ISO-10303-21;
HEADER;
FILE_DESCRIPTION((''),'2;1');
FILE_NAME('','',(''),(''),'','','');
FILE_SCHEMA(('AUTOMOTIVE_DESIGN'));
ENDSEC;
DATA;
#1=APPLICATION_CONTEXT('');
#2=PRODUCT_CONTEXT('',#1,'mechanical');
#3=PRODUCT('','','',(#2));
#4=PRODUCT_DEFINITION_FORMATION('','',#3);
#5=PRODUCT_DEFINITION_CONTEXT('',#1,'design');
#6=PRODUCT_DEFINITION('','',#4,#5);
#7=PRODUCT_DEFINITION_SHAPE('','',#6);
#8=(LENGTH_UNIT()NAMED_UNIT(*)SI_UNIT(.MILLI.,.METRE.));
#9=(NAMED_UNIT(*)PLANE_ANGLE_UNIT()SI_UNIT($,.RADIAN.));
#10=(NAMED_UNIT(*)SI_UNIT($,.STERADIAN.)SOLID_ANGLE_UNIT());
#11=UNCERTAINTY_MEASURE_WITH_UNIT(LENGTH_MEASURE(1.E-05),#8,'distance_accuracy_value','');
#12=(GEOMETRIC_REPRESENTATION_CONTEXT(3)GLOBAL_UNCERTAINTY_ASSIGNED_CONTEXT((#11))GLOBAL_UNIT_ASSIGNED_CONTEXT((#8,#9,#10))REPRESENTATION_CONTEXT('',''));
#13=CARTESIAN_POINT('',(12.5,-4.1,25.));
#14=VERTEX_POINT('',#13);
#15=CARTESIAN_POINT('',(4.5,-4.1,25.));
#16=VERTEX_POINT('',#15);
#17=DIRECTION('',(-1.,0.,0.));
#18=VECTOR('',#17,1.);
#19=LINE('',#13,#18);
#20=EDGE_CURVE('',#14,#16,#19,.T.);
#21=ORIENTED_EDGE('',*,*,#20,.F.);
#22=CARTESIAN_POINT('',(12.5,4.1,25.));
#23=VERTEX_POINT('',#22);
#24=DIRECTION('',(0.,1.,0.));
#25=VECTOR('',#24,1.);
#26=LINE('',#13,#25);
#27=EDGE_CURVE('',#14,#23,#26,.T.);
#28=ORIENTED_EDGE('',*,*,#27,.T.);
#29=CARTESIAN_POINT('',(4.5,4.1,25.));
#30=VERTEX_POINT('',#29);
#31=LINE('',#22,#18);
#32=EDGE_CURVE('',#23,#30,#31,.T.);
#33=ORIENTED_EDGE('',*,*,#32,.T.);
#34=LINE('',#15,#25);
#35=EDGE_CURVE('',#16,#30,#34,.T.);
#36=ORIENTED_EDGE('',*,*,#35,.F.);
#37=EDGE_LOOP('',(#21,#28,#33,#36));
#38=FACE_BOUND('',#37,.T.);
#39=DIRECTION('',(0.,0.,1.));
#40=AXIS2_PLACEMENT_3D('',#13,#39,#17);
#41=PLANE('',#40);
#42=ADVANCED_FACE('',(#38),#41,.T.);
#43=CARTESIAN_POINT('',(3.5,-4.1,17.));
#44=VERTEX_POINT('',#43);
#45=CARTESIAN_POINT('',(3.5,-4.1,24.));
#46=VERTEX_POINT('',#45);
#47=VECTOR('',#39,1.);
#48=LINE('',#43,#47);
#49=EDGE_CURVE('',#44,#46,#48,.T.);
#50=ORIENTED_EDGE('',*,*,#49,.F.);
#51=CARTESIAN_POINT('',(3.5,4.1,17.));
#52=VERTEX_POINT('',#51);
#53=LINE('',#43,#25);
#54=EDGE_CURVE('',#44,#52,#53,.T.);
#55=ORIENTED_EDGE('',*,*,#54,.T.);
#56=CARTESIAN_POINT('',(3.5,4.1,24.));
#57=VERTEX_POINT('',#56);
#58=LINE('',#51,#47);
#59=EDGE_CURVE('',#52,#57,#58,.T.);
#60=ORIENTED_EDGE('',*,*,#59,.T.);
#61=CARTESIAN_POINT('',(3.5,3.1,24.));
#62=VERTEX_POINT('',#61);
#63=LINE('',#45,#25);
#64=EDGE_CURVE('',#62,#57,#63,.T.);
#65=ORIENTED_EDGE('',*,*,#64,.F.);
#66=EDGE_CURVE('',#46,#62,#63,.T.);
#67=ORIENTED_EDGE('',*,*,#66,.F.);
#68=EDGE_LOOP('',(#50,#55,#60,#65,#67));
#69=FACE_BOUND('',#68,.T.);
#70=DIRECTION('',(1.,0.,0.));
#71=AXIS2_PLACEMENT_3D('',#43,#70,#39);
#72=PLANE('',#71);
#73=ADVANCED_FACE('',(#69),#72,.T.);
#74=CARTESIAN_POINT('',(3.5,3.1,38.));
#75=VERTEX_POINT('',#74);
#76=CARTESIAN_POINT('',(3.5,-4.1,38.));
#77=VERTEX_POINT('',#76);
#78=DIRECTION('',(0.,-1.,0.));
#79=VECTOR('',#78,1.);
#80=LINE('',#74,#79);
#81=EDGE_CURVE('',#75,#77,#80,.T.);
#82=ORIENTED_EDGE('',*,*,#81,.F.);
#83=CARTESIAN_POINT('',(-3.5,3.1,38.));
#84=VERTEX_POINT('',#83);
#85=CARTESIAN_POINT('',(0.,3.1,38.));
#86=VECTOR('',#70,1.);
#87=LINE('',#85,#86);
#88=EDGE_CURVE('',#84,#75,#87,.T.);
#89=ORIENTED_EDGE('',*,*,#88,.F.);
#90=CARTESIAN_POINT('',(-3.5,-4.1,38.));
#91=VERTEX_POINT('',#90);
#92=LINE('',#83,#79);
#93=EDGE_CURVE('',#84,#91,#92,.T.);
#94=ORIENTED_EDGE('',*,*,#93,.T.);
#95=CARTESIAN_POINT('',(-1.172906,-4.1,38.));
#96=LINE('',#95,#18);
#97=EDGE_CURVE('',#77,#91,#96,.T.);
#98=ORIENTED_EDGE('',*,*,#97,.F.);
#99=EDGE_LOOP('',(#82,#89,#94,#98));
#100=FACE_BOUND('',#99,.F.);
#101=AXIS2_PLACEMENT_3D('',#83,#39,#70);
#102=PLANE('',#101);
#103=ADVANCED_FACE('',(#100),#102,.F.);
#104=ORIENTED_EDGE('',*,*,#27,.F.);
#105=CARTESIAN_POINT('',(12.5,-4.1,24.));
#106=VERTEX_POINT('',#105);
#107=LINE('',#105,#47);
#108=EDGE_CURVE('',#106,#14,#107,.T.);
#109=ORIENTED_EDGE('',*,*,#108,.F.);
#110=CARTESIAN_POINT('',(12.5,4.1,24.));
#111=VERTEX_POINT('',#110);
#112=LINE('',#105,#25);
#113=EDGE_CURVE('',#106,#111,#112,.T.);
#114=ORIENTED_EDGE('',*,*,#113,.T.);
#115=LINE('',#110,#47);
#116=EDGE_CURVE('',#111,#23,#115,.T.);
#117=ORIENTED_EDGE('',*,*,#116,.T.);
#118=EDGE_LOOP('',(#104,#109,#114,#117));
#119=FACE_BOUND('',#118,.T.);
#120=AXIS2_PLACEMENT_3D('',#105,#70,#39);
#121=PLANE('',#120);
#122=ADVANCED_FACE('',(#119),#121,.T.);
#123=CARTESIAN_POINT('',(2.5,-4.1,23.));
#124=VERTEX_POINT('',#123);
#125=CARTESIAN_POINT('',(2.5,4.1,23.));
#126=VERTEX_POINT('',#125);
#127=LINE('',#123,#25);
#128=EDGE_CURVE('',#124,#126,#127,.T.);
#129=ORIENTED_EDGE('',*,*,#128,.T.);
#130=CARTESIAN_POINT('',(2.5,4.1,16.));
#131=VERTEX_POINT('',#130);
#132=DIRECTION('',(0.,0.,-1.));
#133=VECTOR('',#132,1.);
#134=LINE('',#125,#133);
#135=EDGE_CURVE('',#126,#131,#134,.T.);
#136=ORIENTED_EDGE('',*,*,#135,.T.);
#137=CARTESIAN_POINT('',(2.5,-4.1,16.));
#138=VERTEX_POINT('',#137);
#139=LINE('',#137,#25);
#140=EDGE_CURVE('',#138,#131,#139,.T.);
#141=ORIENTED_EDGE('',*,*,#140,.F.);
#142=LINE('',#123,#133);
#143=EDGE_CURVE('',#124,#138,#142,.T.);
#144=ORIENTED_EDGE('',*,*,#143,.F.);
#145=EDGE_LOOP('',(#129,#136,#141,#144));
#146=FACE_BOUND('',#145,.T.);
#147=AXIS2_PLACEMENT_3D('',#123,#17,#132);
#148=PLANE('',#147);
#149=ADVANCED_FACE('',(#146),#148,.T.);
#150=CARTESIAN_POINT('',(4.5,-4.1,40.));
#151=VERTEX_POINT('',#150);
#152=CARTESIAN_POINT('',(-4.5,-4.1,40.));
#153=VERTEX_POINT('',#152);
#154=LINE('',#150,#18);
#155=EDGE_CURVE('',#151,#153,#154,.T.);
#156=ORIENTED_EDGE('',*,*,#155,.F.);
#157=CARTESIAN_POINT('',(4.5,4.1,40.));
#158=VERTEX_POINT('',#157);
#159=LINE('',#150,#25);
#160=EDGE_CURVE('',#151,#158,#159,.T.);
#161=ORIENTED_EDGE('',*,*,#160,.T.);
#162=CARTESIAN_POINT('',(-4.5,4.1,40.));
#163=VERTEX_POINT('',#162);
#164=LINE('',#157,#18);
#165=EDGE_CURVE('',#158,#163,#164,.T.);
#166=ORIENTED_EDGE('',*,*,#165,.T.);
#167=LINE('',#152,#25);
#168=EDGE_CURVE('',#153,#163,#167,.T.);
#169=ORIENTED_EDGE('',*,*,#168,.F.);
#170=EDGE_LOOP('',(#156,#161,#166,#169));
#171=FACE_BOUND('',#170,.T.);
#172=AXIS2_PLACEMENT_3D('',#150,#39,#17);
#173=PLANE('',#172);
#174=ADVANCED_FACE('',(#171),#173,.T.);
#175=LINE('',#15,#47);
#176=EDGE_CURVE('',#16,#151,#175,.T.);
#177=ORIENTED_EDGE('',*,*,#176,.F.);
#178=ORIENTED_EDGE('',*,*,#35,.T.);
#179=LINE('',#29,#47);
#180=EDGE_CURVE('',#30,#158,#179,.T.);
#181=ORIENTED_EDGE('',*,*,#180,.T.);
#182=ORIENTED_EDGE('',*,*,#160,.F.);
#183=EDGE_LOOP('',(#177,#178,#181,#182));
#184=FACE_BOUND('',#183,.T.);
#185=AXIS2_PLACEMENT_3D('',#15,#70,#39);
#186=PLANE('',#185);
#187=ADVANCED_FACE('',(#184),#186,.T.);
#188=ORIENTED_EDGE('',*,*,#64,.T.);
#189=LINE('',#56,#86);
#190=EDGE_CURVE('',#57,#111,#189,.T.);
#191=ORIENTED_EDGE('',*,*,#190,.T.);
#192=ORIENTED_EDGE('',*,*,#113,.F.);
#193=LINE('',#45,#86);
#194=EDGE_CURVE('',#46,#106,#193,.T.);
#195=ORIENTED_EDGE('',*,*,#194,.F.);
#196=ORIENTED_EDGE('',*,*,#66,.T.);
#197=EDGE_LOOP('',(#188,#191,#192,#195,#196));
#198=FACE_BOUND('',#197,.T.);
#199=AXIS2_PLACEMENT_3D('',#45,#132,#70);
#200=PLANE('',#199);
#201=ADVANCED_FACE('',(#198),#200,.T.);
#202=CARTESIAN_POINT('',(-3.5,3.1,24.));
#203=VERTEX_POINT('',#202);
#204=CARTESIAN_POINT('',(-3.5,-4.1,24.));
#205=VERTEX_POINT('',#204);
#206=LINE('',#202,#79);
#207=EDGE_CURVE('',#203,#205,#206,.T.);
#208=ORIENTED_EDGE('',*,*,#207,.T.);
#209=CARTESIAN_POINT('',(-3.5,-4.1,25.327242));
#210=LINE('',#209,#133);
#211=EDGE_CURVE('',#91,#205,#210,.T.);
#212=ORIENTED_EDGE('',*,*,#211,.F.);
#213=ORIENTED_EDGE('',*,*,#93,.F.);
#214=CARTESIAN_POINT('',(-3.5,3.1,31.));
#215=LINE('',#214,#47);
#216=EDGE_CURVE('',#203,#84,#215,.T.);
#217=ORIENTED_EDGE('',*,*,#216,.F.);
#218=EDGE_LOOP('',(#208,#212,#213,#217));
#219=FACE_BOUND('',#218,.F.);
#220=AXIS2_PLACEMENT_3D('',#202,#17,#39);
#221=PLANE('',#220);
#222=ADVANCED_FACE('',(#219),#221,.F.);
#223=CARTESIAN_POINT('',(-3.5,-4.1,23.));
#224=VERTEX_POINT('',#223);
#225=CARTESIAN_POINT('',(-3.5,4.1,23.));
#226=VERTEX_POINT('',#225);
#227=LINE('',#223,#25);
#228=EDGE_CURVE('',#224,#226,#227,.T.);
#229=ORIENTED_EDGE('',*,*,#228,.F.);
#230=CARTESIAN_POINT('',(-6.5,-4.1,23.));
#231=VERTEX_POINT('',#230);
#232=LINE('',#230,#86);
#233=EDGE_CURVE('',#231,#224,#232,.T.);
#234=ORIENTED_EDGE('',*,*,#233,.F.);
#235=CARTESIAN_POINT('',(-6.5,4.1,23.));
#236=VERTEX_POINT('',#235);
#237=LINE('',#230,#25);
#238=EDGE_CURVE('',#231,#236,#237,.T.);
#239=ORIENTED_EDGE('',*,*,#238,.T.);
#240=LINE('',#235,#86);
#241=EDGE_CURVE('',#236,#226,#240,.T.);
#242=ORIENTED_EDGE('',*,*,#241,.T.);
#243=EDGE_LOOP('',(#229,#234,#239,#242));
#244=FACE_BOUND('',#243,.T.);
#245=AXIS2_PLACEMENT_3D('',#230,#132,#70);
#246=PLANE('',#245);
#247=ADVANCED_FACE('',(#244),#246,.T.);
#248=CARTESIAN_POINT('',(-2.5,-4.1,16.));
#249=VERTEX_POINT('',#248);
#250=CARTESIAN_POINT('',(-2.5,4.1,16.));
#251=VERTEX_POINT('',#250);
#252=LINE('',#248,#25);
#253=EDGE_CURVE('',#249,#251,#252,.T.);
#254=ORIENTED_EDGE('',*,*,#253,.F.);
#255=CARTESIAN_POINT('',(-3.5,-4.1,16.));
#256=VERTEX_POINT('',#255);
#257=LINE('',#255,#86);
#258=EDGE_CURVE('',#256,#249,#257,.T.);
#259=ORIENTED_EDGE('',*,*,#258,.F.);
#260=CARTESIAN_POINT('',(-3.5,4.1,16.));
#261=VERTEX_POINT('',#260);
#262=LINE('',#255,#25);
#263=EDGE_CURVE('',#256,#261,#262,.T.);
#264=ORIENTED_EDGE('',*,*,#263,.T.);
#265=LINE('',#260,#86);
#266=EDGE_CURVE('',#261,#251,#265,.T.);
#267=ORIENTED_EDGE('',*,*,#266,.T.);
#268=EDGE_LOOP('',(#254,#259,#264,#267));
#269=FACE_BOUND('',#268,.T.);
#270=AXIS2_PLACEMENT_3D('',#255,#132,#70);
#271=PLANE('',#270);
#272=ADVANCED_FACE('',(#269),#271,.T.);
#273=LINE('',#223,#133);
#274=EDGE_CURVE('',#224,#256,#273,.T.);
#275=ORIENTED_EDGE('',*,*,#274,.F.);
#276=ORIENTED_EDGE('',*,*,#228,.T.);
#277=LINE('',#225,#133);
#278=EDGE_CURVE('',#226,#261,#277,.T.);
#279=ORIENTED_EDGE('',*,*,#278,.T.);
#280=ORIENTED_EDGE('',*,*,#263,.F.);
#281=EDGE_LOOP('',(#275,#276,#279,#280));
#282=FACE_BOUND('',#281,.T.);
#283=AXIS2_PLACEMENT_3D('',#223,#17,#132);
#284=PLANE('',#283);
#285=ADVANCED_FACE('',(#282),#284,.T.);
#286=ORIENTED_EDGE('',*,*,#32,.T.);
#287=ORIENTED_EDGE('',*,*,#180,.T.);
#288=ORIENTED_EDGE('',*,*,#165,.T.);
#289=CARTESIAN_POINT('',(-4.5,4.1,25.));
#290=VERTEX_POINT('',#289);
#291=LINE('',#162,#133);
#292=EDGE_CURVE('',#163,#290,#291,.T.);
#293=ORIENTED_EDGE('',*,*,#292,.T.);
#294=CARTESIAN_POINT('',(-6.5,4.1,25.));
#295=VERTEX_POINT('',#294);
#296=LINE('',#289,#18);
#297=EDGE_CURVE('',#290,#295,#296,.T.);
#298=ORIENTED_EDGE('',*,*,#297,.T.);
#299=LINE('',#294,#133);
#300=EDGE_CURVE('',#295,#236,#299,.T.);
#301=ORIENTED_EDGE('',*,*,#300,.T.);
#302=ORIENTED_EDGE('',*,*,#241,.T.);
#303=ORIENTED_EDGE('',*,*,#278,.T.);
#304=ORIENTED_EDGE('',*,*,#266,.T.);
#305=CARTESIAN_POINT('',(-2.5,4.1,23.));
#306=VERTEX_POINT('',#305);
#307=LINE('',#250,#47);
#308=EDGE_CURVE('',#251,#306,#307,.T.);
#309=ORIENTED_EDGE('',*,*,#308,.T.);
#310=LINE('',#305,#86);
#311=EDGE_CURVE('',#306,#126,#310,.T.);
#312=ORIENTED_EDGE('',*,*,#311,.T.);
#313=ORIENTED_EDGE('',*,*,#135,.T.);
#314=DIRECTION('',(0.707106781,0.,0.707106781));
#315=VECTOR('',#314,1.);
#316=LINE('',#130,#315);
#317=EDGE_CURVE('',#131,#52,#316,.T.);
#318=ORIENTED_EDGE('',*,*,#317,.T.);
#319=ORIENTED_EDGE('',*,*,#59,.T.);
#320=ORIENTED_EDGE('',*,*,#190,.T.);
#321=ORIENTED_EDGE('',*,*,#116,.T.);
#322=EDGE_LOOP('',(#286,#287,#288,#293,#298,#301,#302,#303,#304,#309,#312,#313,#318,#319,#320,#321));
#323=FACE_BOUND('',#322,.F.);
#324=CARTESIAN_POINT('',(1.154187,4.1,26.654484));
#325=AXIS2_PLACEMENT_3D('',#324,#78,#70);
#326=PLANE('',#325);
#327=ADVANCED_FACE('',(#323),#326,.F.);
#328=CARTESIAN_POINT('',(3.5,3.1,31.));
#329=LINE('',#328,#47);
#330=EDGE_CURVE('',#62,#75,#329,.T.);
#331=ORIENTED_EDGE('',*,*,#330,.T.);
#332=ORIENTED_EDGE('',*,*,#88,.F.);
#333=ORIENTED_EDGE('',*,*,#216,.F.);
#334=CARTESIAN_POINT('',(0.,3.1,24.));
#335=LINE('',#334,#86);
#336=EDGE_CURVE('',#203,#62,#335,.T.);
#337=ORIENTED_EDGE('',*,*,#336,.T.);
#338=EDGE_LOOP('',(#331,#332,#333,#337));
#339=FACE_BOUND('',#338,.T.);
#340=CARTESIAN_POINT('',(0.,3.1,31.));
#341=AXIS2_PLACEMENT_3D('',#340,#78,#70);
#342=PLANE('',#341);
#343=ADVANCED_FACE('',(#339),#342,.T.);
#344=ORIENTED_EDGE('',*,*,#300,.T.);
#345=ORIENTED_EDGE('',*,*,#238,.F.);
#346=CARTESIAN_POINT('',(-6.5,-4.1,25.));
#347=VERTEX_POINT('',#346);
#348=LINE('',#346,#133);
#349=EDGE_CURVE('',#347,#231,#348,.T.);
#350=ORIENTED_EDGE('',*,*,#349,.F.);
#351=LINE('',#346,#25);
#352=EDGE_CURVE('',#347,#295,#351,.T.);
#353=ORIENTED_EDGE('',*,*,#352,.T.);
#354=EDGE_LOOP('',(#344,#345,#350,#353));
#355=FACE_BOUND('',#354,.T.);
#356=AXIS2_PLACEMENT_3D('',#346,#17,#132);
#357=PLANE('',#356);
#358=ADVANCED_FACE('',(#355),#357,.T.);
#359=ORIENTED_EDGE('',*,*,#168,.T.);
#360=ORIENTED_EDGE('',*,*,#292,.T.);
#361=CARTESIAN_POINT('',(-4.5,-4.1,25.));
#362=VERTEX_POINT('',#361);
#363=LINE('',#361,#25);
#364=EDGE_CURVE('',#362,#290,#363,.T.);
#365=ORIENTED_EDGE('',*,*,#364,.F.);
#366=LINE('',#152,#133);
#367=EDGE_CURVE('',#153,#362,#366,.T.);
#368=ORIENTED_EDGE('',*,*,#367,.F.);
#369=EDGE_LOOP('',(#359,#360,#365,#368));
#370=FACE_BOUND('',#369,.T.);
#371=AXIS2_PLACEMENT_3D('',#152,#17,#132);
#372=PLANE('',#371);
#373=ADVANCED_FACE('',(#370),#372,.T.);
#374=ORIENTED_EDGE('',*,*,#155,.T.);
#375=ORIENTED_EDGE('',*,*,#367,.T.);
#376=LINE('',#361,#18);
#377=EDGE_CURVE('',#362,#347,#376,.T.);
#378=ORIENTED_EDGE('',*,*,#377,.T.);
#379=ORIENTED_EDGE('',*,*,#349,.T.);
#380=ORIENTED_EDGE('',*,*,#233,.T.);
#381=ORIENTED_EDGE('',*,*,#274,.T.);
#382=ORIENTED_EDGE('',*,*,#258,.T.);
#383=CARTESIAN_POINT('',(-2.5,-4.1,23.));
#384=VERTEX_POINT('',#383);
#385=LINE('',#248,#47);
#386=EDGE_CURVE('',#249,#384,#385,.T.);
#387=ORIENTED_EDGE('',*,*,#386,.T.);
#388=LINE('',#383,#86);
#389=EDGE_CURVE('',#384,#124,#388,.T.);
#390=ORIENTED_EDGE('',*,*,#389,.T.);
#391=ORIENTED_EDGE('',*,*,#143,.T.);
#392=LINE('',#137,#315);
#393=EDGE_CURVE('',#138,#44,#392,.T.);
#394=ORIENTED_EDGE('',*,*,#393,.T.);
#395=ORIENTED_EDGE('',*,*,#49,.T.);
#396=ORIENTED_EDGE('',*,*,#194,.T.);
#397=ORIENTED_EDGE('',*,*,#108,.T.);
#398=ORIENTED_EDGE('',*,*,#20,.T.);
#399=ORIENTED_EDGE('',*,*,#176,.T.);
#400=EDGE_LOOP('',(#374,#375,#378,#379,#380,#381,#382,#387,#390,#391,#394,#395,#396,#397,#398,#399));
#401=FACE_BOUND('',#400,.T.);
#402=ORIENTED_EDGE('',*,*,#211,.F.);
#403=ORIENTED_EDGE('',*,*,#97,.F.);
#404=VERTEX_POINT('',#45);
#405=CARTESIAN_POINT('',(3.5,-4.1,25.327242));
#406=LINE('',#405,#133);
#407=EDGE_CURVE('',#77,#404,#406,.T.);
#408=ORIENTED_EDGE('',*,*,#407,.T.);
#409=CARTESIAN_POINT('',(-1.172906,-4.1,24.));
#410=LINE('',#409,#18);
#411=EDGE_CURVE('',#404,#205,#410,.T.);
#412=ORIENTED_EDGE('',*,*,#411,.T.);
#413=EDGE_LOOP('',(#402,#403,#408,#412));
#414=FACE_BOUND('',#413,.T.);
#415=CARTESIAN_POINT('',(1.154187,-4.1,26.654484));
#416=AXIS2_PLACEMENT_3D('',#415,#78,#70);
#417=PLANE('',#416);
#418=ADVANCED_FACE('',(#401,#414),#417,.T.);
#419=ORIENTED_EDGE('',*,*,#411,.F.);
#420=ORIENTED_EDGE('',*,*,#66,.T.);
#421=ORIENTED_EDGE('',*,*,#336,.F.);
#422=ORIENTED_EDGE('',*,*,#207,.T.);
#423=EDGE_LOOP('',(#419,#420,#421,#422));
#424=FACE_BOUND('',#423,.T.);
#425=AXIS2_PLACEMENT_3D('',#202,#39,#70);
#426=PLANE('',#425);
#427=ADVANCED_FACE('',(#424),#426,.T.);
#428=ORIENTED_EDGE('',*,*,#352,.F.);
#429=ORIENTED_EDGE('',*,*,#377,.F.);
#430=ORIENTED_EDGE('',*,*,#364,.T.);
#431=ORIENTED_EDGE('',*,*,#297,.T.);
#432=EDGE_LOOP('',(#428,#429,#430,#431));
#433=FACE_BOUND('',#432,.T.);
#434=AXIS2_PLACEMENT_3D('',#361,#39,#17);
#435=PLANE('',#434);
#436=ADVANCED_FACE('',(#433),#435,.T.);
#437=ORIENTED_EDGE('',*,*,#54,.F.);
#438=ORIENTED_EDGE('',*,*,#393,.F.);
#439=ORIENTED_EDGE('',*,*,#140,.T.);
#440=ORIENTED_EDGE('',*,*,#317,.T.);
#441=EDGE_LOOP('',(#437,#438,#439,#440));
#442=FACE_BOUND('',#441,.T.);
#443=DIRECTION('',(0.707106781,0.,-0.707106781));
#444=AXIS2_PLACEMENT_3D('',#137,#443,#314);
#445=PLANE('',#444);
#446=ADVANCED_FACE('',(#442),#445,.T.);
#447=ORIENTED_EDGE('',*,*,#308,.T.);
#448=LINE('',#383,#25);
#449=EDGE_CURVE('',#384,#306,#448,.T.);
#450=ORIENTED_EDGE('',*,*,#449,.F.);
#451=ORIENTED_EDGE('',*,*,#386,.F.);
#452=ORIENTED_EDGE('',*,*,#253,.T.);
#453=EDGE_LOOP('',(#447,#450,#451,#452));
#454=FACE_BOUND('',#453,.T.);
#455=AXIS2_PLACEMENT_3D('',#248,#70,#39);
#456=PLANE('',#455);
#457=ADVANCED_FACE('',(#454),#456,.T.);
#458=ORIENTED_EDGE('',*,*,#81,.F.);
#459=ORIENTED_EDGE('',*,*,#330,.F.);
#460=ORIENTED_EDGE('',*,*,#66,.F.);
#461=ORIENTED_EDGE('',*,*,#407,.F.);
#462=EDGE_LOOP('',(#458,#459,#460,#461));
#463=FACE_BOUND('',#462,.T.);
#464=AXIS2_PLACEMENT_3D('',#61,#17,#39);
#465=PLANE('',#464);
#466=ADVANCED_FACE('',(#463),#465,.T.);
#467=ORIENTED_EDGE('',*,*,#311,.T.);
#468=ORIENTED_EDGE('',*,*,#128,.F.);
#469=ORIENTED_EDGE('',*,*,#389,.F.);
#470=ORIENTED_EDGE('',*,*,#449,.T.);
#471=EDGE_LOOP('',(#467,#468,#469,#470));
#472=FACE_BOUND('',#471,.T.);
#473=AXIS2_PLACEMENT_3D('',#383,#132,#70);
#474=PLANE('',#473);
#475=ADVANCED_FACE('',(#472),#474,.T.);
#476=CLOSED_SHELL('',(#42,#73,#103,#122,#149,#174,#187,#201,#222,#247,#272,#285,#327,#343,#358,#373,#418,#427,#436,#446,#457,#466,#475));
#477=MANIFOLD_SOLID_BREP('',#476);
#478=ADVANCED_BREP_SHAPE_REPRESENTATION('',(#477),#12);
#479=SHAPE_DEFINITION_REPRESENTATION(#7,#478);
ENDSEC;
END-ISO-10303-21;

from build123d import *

# Parameters (mm, degrees)
SKETCH011_W      = 7
SKETCH011_H      = 14
EXTRUDE012_DEPTH = 10
EXTRUDE_DEPTH    = 8.2


with BuildPart() as extrude012:
    # Sketch011 → Extrude012 (new body)
    with BuildSketch(Plane.XZ.offset(4.5)):
        with Locations((0, 31)):
            Rectangle(SKETCH011_W, SKETCH011_H)
    extrude(amount=EXTRUDE012_DEPTH)


with BuildPart() as extrude012_1:
    # Extrude012 placement: moved
    add(extrude012.part.moved(Location((0, 7.6, 0))))


with BuildPart() as button001:
    # Sketch → Extrude (new body)
    with BuildSketch(Plane.XZ.offset(4.5)):
        Polygon((-6.5, 23), (-3.5, 23), (-3.5, 16), (-2.5, 16), (-2.5, 23), (2.5, 23), (2.5, 16), (3.5, 17), (3.5, 24), (12.5, 24), (12.5, 25), (4.5, 25), (4.5, 40), (-4.5, 40), (-4.5, 25), (-6.5, 25), align=None)
    extrude(amount=-EXTRUDE_DEPTH)


with BuildPart() as button001_1:
    # Extrude placement: moved
    add(button001.part.moved(Location((0, 0.4, 0))))

    # Cut001: cut Extrude012
    add(extrude012_1.part, mode=Mode.SUBTRACT)


solid = button001_1.part
